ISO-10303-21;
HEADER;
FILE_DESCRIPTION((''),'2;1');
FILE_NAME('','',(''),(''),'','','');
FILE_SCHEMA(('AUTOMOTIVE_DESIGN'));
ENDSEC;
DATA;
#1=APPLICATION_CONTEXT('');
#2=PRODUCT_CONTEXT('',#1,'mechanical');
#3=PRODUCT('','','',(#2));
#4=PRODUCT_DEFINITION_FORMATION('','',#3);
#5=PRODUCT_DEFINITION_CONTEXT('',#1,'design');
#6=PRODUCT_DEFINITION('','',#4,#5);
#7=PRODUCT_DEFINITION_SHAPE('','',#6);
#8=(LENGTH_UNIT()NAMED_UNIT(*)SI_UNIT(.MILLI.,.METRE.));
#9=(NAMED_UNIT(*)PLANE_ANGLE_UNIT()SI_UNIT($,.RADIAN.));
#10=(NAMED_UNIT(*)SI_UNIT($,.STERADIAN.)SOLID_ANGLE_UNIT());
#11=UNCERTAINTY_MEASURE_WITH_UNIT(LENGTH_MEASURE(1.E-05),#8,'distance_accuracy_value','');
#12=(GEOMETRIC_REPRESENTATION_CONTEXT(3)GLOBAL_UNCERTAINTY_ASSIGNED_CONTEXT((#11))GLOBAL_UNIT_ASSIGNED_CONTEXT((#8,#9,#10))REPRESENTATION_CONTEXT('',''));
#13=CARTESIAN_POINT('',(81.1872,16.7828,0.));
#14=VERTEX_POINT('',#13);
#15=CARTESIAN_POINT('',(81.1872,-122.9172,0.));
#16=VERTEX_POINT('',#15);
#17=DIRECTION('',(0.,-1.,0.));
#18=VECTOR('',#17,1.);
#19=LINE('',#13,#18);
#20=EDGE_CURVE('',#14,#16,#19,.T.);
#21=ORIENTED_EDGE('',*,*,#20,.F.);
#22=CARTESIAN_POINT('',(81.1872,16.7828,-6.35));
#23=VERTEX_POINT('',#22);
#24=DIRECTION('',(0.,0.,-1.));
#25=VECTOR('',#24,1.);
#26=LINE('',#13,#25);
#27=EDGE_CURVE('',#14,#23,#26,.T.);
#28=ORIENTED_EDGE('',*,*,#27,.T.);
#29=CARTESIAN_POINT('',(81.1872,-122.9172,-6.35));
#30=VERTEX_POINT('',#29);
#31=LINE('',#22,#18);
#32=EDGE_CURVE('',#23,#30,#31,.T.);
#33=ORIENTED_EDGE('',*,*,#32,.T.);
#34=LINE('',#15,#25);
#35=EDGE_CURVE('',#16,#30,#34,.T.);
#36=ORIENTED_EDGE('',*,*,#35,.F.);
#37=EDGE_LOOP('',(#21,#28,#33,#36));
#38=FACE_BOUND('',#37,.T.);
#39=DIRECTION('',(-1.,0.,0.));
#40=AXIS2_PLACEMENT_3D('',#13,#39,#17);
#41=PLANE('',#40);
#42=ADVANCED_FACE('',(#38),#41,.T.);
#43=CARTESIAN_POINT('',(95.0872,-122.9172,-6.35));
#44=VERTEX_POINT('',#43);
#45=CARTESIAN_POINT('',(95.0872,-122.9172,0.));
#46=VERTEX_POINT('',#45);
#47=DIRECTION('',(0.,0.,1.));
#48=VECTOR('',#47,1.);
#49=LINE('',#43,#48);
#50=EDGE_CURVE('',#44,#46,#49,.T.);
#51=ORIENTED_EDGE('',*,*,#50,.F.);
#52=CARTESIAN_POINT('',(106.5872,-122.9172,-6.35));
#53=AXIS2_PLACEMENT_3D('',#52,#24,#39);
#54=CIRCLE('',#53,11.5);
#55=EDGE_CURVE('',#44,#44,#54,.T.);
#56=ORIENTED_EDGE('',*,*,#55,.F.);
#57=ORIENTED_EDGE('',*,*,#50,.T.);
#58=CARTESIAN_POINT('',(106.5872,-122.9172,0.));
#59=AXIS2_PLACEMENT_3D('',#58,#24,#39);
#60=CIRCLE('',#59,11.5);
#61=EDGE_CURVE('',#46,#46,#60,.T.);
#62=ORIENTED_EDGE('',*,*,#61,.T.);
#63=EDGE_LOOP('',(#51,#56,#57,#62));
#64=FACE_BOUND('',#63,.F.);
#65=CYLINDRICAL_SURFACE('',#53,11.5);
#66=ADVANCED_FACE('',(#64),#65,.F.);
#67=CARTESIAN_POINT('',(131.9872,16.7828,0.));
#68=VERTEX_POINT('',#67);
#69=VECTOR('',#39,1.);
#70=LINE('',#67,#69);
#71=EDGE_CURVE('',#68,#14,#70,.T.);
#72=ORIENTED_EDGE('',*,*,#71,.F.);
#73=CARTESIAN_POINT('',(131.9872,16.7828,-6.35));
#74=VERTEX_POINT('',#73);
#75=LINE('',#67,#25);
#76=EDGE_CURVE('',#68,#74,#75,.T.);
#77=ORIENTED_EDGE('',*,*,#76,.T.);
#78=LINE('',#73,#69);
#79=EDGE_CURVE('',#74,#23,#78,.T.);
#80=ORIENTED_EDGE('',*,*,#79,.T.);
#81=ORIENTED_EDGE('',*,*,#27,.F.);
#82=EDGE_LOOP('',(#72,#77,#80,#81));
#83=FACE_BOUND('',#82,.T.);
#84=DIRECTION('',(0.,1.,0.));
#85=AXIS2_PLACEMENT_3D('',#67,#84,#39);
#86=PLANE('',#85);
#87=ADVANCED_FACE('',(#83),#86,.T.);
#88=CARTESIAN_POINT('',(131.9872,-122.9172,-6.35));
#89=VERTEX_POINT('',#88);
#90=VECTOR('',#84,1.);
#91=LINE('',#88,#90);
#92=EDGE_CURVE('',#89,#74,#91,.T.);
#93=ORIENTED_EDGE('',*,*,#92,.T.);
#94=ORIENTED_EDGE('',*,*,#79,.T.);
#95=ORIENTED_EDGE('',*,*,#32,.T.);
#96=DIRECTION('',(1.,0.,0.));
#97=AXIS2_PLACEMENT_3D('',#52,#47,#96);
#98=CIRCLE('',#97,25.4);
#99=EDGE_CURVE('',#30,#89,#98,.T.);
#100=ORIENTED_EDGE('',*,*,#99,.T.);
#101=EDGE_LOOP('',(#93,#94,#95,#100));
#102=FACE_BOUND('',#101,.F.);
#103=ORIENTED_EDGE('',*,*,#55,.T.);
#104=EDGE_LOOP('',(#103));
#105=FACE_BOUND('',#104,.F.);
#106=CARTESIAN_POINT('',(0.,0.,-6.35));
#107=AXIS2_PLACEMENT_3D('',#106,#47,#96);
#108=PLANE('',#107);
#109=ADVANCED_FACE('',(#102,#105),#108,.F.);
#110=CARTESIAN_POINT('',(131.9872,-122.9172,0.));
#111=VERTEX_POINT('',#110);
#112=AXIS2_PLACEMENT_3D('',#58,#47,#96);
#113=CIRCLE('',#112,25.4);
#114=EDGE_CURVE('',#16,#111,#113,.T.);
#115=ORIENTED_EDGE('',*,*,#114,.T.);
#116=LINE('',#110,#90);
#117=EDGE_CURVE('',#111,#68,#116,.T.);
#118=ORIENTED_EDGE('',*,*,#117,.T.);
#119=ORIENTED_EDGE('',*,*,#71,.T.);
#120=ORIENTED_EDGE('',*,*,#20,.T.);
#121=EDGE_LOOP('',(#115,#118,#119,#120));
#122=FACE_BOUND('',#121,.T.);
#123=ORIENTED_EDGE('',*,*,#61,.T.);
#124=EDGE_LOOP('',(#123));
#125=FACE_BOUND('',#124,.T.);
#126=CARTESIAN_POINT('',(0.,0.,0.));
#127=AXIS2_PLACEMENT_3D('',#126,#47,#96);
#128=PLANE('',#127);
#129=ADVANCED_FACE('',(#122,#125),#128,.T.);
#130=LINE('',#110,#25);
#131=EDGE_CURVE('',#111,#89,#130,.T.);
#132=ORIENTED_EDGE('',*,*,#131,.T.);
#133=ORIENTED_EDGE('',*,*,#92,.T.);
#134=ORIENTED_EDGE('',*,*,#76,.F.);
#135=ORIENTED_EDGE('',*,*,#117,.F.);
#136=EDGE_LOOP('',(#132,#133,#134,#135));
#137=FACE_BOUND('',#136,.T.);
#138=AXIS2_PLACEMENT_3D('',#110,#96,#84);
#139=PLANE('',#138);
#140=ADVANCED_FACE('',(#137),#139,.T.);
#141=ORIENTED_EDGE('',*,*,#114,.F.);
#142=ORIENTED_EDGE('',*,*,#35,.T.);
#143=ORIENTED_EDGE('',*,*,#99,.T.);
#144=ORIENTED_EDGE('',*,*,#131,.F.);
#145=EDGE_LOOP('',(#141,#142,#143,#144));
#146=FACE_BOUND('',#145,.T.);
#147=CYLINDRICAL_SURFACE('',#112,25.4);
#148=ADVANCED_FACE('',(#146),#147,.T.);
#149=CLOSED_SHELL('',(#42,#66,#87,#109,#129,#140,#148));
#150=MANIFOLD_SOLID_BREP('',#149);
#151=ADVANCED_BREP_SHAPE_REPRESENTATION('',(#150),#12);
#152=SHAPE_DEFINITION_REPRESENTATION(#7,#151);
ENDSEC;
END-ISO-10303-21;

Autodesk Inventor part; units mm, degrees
ref_plane "YZ Plane" through (0, 0, 0) normal (1, 0, 0) x (0, 1, 0)
ref_plane "XZ Plane" through (0, 0, 0) normal (0, 1, 0) x (-1, 0, 0)
ref_plane "XY Plane" through (0, 0, 0) normal (0, 0, 1) x (1, 0, 0)
sketch "Sketch1" plane through (0, 0, 0) normal (0, 0, 1) x (1, 0, 0)
  circle A0 centre (106.5872, -122.9172) radius 2.5 projected
  circle A1 centre (106.5872, -122.9172) radius 25.4
  line L0 (81.1872, -122.9172) -> (131.9872, -122.9172)
  line L1 (131.9872, -122.9172) -> (131.9872, 16.7828)
  line L2 (131.9872, 16.7828) -> (81.1872, 16.7828)
  line L3 (81.1872, 16.7828) -> (81.1872, -122.9172)
  circle A2 centre (106.5872, -122.9172) radius 11.5
  point P0 (0, 0)
  point P1 (106.5872, -148.3172)
  dimension "d0" = 50.8
  dimension "d1" = 139.7
  dimension "d4" = 23
  dimension "d9" = 50.8
extrude "Extrusion1" add sketch "Sketch1" against normal blind 6.35 contours L0 A0 | L0 A2 A0 | A0 L0 A2 | A2 L0 A1 | L0 A1 A2 | A1 L3 L2 L1 picked at (105.8251, -122.3305)
sketch "Sketch2" plane through (0, 0, -6.35) normal (0, 0, -1) x (-1, 0, 0)
  arc A0 (-131.9872, -122.9172) -> (-81.1872, -122.9172) centre (-106.5872, -122.9172) ccw projected
  circle A1 centre (-106.5872, -122.9172) radius 11.5
  point P0 (0, 0)
  dimension "d5" = 23
extrude "Extrusion2" cut sketch "Sketch2" against normal through all
sketch "Sketch3" plane through (0, 0, 0) normal (0, 0, 1) x (1, 0, 0)
  circle A0 centre (106.5872, -122.9172) radius 11.5 projected
  arc A1 (81.1872, -122.9172) -> (131.9872, -122.9172) centre (106.5872, -122.9172) ccw projected
  line L0 (131.9872, 16.7828) -> (131.9872, -122.9172) projected
  line L1 (81.1872, 16.7828) -> (131.9872, 16.7828) projected
  line L2 (81.1872, -122.9172) -> (81.1872, 16.7828) projected
  circle A2 centre (122.0872, -107.4172) radius 2 projected
  circle A3 centre (91.0872, -107.4172) radius 2 projected
  circle A4 centre (122.0872, -138.4172) radius 2 projected
  circle A5 centre (91.0872, -138.4172) radius 2 projected
  point P0 (0, 0)
properties part number "tiltColumnStepperSide"
